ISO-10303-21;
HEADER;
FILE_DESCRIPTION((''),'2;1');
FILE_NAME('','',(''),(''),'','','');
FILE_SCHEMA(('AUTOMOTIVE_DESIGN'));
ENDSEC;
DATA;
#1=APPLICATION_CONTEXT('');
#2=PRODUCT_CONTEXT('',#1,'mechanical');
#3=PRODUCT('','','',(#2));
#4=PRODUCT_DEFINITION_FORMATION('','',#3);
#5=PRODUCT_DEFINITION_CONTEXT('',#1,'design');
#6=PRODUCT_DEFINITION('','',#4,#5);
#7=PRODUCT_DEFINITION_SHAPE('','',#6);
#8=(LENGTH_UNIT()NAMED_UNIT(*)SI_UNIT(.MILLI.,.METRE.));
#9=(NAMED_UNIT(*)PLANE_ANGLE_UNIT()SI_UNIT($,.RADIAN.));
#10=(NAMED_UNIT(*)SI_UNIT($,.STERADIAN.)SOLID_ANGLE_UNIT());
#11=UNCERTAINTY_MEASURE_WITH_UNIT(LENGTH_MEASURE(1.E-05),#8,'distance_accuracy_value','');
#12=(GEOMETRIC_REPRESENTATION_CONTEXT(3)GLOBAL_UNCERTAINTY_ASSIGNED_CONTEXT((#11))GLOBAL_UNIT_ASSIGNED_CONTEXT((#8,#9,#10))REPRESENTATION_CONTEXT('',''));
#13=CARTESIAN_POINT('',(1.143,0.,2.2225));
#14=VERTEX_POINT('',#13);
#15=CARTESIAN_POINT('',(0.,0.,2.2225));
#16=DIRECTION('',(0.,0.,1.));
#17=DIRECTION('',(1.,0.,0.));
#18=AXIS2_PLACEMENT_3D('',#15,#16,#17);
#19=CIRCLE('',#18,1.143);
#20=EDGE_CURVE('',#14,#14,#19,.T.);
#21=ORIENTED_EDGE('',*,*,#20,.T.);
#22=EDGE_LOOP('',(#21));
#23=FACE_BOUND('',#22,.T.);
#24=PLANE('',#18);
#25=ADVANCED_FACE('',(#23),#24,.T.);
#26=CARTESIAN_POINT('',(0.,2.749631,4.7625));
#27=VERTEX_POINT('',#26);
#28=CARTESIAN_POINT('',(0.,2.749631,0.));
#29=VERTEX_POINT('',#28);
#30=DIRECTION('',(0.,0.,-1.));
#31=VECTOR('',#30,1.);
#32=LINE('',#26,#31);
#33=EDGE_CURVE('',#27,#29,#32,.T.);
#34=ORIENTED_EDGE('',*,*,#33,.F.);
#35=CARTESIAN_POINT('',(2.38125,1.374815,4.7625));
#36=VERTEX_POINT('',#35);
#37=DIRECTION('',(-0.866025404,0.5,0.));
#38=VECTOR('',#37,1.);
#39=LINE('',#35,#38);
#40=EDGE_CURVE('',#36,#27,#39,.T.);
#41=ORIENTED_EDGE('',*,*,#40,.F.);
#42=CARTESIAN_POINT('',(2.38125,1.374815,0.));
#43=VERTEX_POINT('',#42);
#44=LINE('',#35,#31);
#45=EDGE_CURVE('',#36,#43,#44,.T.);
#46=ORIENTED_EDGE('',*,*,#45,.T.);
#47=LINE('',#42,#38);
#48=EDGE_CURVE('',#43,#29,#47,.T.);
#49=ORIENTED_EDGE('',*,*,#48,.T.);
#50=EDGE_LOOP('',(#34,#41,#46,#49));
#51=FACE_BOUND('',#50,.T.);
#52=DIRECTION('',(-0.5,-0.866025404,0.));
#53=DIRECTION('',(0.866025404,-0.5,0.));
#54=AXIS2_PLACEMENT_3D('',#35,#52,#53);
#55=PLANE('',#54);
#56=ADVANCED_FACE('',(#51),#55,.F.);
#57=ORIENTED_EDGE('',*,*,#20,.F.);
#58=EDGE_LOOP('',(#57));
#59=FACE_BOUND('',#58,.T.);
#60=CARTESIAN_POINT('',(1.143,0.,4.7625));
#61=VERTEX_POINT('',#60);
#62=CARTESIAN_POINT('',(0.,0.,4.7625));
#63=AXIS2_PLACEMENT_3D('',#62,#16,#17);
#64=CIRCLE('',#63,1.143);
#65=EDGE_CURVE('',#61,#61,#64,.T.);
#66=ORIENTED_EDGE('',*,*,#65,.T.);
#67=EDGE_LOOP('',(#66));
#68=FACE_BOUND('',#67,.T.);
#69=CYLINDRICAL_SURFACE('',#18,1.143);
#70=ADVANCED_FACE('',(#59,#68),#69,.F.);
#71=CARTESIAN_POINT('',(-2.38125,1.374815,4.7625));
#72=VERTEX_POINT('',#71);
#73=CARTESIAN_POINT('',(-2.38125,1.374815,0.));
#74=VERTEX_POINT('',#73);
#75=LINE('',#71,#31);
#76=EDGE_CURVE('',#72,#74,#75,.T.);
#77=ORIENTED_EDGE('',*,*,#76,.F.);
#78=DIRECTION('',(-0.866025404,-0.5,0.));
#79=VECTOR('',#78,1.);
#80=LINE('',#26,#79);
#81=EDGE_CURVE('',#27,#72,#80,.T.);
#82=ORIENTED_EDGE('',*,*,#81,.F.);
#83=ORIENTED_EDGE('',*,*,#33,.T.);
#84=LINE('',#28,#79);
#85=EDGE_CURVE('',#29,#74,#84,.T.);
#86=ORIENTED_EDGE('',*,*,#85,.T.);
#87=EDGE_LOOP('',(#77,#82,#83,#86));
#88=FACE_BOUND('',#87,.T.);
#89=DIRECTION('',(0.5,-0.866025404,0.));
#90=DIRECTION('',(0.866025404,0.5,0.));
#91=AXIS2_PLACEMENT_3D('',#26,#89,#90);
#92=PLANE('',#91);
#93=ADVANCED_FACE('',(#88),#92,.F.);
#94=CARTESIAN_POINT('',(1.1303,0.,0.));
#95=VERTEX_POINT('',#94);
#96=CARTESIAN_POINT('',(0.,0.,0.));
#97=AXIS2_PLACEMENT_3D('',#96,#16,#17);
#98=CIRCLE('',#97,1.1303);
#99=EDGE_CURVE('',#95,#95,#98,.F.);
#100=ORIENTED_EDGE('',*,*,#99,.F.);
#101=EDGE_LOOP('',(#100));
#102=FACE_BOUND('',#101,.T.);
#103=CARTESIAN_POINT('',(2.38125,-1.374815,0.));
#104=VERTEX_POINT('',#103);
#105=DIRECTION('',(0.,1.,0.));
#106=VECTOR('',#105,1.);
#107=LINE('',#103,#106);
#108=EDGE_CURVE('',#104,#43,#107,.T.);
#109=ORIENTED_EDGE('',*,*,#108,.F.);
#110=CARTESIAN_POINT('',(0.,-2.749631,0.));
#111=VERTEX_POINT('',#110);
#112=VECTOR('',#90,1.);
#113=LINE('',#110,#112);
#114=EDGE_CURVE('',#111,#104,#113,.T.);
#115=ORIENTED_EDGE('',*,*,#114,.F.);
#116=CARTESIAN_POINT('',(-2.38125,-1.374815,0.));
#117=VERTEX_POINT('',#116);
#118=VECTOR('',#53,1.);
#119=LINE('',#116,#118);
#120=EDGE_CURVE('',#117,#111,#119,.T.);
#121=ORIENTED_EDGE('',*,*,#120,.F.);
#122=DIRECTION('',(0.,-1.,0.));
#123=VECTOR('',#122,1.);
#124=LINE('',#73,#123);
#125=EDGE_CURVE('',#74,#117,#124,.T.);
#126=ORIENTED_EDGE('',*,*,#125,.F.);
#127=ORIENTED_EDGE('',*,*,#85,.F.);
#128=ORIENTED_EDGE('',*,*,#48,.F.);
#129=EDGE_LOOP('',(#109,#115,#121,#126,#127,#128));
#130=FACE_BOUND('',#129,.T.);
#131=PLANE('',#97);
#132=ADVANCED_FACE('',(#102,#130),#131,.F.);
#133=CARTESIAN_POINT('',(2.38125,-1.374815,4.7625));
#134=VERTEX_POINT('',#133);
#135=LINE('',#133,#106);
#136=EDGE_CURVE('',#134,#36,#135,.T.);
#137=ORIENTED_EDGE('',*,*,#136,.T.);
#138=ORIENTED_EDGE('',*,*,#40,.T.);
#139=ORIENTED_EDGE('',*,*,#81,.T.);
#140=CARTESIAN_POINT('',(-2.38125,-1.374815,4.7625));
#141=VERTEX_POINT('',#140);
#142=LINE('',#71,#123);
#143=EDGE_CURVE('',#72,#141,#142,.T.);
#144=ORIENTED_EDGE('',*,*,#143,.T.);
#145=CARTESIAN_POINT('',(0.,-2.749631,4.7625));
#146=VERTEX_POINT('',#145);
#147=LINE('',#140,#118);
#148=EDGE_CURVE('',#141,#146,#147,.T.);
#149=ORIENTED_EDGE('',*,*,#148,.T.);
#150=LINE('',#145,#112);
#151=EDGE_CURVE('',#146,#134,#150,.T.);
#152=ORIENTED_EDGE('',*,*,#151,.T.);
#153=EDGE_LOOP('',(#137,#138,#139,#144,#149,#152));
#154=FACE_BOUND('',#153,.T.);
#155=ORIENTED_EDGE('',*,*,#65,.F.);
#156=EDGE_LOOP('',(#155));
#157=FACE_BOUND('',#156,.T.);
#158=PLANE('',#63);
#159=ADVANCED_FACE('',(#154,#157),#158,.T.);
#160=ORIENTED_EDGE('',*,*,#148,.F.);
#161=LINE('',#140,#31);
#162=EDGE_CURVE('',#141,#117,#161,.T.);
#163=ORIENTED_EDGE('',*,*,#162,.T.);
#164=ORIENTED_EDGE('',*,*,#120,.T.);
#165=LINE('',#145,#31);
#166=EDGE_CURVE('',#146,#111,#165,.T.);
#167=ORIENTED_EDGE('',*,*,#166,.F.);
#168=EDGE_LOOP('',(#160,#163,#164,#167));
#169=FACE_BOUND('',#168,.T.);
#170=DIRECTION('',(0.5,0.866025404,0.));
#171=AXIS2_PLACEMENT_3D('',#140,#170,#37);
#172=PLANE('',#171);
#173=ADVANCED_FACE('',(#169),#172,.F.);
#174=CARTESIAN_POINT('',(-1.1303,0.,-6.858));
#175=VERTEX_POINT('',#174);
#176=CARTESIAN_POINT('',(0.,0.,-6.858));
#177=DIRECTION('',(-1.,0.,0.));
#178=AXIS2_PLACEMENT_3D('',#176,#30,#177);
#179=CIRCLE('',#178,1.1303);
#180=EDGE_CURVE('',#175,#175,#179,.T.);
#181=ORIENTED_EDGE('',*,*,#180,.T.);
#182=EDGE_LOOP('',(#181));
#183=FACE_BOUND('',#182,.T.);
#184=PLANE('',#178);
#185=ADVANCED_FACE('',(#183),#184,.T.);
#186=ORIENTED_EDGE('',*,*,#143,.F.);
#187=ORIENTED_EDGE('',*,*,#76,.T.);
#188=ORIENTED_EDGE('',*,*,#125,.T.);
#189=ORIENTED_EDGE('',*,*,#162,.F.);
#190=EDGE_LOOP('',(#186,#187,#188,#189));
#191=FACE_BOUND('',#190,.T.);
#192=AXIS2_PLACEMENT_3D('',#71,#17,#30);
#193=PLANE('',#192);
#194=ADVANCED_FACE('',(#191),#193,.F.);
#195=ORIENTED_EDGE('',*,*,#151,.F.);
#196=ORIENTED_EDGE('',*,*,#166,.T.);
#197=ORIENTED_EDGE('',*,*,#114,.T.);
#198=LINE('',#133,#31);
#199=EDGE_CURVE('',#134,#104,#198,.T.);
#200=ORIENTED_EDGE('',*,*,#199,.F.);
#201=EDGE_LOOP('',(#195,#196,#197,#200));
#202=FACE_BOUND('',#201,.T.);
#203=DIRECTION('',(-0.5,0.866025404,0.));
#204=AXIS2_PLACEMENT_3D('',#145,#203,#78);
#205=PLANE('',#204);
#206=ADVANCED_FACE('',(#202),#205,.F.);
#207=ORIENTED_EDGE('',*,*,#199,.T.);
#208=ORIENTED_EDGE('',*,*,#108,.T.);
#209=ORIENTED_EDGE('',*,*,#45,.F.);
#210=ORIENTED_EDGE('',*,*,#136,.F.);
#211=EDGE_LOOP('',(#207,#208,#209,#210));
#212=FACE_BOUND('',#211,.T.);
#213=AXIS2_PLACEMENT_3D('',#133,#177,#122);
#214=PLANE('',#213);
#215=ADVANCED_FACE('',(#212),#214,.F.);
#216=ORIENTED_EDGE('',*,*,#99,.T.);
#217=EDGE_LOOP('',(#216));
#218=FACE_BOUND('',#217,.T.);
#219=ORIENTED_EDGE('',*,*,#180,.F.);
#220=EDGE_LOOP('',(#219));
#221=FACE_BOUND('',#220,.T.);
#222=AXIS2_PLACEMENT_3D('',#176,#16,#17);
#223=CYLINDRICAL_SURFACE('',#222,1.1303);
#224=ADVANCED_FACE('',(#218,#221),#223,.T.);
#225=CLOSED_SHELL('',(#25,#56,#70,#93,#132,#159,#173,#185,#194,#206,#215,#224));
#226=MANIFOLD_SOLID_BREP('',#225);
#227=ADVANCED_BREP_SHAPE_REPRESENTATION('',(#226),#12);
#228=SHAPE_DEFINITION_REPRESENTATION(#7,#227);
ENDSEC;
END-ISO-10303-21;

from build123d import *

# Parameters (mm, degrees)
BOSS_EXTRUDE1_DEPTH = 4.7625
SKETCH2_R           = 1.1303
BOSS_EXTRUDE2_DEPTH = 6.858
SKETCH3_R           = 1.143
CUT_EXTRUDE1_DEPTH  = 2.54


with BuildPart() as part:
    # Sketch1 → Boss-Extrude1 (new body)
    with BuildSketch(Plane.XY):
        Polygon((0, 2.749630657), (-2.38125, 1.374815329), (-2.38125, -1.374815329), (0, -2.749630657), (2.38125, -1.374815329), (2.38125, 1.374815329), align=None)
    extrude(amount=BOSS_EXTRUDE1_DEPTH)

    # Sketch2 → Boss-Extrude2 (add)
    with BuildSketch(Plane(origin=(0, 0, 0), x_dir=(-1, 0, 0), z_dir=(0, 0, -1))):
        with Locations(Location((0, 0, 0), (0, 0, 180))):
            Circle(SKETCH2_R)
    extrude(amount=BOSS_EXTRUDE2_DEPTH)

    # Sketch3 → Cut-Extrude1 (cut)
    with BuildSketch(Plane.XY.offset(4.7625)):
        Circle(SKETCH3_R)
    extrude(amount=-CUT_EXTRUDE1_DEPTH, mode=Mode.SUBTRACT)


solid = part.part
